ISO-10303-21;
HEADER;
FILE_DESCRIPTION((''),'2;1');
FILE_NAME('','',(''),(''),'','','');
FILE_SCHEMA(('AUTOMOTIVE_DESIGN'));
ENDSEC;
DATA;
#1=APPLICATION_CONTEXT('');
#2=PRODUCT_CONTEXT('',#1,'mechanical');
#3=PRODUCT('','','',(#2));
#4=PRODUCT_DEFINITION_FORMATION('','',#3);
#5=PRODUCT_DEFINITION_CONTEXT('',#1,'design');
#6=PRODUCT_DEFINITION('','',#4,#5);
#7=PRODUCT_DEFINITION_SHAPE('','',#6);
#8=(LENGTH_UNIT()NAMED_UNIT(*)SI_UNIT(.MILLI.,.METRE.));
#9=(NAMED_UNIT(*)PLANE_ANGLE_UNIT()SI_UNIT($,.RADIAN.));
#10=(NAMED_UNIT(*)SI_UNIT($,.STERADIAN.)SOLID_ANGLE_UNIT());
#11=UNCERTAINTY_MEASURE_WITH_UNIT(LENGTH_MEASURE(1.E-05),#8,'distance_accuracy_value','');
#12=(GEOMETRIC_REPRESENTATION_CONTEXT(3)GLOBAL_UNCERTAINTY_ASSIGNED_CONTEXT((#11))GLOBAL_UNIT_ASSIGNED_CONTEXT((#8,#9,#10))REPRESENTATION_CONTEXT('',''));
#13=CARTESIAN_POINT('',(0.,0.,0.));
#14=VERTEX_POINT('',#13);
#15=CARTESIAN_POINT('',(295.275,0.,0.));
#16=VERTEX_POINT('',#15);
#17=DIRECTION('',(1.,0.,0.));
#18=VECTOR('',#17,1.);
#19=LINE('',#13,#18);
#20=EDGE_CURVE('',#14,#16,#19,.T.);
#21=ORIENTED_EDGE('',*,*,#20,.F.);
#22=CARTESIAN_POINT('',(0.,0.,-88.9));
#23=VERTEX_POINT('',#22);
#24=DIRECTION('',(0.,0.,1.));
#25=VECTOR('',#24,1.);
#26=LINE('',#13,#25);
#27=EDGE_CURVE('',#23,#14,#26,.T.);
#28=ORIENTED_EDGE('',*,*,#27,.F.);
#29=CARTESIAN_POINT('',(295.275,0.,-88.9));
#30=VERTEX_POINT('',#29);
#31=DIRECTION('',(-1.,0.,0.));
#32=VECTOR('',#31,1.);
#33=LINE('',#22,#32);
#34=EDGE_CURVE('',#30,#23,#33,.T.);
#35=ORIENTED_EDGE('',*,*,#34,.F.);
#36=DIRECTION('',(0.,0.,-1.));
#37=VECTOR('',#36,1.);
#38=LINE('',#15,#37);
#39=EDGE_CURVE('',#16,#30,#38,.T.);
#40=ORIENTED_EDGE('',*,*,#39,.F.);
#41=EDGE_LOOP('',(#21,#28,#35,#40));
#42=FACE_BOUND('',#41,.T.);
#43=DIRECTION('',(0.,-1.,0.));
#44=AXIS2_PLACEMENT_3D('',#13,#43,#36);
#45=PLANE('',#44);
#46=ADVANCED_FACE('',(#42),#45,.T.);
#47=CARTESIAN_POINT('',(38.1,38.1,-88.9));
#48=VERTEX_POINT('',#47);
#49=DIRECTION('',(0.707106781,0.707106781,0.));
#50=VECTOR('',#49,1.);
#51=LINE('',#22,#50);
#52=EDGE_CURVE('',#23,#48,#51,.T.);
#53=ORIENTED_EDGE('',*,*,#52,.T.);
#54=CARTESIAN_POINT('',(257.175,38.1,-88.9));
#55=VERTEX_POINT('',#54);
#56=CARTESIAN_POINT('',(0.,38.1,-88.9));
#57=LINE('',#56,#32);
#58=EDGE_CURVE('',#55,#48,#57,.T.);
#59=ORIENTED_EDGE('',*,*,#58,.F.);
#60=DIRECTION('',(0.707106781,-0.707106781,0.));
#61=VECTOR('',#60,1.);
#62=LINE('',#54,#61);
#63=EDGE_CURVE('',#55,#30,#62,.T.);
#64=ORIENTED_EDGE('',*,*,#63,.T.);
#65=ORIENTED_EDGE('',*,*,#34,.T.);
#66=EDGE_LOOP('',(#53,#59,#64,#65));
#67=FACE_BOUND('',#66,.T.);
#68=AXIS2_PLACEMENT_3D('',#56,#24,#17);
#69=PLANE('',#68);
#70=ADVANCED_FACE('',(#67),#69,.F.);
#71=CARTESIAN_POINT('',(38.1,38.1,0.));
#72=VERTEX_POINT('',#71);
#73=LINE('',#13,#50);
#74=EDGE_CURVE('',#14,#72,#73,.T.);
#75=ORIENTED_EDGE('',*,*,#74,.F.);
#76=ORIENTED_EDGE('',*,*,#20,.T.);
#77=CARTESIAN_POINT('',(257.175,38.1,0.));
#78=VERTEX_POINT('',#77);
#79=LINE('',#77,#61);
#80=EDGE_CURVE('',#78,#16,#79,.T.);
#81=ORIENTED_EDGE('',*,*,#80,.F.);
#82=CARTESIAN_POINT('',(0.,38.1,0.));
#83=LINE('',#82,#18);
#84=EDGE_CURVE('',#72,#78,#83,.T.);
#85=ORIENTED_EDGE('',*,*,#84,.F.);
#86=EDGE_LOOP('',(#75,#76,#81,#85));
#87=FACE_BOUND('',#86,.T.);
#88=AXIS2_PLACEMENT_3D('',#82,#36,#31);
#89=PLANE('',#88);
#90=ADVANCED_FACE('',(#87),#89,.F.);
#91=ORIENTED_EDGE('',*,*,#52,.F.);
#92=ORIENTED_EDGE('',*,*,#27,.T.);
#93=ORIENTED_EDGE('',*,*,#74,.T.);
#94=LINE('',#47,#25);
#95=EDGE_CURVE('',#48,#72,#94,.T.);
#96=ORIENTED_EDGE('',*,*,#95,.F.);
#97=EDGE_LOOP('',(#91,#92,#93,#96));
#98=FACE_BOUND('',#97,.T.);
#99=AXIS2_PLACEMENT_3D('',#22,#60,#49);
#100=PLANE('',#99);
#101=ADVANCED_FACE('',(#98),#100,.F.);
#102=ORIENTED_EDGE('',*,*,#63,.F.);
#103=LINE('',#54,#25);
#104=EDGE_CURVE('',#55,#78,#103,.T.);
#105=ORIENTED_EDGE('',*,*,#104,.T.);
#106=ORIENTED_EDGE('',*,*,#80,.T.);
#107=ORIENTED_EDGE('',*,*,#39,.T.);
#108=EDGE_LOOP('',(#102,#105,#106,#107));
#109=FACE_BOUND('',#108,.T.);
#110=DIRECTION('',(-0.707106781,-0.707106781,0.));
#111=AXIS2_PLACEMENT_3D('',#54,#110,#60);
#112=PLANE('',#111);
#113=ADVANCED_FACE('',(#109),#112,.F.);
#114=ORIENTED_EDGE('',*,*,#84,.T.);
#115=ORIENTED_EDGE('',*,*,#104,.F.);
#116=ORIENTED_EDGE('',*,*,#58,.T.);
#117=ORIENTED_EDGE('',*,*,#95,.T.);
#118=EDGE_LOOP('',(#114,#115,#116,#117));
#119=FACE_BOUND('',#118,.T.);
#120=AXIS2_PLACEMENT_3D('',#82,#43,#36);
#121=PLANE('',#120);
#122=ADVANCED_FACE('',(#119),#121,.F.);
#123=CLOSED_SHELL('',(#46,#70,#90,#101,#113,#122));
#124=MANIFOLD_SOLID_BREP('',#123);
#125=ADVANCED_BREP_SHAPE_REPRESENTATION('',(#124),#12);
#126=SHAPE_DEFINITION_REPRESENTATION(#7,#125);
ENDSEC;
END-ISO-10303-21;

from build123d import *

# Parameters (mm, degrees)
SKETCH1_W           = 295.275
SKETCH1_H           = 88.9
BOSS_EXTRUDE1_DEPTH = 38.1
CUT_EXTRUDE1_DEPTH  = 89.9


with BuildPart() as part:
    # Sketch1 → Boss-Extrude1 (new body)
    with BuildSketch(Plane(origin=(0, 0, 0), x_dir=(1, 0, 0), z_dir=(0, 1, 0))):
        with Locations((147.6375, 44.45)):
            Rectangle(SKETCH1_W, SKETCH1_H)
    extrude(amount=BOSS_EXTRUDE1_DEPTH)

    # Sketch2 → Cut-Extrude1 (cut, through all)
    with BuildSketch(Plane.XY):
        Polygon((0, 0), (38.1, 38.1), (0, 38.1), align=None)
        Polygon((295.275, 0), (295.275, 38.1), (257.175, 38.1), align=None)
    extrude(amount=-CUT_EXTRUDE1_DEPTH, mode=Mode.SUBTRACT)


solid = part.part
